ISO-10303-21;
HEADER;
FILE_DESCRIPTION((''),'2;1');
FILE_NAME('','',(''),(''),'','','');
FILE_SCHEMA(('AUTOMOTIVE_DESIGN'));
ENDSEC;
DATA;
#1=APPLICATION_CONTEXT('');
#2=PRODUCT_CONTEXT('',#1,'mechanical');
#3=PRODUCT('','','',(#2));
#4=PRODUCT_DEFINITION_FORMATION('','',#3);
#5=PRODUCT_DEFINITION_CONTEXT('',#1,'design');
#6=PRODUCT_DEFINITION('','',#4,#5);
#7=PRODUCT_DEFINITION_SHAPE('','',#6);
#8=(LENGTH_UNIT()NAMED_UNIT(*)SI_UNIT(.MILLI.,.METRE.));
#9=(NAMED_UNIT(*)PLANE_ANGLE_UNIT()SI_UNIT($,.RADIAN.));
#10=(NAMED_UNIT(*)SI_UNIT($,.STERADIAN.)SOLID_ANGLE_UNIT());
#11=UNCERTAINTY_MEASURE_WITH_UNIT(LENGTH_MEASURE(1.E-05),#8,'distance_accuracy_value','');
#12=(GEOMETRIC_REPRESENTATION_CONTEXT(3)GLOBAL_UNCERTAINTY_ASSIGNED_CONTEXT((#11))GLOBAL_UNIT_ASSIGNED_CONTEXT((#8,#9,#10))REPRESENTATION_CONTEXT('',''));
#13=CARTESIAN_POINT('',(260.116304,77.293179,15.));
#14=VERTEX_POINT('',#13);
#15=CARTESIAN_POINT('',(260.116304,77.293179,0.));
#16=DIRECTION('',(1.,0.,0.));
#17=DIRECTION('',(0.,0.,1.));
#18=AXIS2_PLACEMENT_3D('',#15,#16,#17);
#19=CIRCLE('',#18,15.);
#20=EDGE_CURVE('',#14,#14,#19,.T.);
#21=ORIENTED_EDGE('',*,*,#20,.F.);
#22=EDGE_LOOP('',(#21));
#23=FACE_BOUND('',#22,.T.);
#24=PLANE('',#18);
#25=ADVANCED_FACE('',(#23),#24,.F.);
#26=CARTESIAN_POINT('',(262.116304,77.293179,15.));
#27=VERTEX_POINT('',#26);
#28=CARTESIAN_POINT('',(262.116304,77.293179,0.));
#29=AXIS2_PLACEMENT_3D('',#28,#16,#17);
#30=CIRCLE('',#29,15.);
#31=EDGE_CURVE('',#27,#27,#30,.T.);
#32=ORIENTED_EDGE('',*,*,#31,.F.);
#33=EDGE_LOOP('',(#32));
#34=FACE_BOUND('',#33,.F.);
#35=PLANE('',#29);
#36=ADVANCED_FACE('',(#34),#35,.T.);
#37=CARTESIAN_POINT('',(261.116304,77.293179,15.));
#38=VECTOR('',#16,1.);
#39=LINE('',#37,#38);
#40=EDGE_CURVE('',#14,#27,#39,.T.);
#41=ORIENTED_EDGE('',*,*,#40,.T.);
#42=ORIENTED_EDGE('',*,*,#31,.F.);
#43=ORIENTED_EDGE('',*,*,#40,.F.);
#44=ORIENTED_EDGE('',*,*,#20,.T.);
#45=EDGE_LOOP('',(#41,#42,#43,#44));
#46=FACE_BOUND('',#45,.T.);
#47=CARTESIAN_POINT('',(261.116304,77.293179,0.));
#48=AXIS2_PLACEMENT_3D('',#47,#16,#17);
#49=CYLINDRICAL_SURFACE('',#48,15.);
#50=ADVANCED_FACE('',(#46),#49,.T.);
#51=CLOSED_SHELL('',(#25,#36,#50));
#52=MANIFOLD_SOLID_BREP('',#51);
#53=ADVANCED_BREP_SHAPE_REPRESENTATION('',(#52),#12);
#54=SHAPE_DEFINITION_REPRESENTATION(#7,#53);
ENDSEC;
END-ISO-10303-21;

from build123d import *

# Parameters (mm, degrees)
SKETCH_1_W = 2
SKETCH_1_H = 15


with BuildPart() as part:
    # 草图1 → 旋转1 (revolve)
    with BuildSketch(Plane.XY, mode=Mode.PRIVATE) as revolve_1_sk:
        with Locations((261.116303666, 84.793179349)):
            Rectangle(SKETCH_1_W, SKETCH_1_H)
    revolve(revolve_1_sk.sketch.rotate(Axis((254.000801993, 77.293179349, 0), (1, 0, 0)), 90), axis=Axis((254.000801993, 77.293179349, 0), (1, 0, 0)))  # turned: the seam where the file's is


solid = part.part
